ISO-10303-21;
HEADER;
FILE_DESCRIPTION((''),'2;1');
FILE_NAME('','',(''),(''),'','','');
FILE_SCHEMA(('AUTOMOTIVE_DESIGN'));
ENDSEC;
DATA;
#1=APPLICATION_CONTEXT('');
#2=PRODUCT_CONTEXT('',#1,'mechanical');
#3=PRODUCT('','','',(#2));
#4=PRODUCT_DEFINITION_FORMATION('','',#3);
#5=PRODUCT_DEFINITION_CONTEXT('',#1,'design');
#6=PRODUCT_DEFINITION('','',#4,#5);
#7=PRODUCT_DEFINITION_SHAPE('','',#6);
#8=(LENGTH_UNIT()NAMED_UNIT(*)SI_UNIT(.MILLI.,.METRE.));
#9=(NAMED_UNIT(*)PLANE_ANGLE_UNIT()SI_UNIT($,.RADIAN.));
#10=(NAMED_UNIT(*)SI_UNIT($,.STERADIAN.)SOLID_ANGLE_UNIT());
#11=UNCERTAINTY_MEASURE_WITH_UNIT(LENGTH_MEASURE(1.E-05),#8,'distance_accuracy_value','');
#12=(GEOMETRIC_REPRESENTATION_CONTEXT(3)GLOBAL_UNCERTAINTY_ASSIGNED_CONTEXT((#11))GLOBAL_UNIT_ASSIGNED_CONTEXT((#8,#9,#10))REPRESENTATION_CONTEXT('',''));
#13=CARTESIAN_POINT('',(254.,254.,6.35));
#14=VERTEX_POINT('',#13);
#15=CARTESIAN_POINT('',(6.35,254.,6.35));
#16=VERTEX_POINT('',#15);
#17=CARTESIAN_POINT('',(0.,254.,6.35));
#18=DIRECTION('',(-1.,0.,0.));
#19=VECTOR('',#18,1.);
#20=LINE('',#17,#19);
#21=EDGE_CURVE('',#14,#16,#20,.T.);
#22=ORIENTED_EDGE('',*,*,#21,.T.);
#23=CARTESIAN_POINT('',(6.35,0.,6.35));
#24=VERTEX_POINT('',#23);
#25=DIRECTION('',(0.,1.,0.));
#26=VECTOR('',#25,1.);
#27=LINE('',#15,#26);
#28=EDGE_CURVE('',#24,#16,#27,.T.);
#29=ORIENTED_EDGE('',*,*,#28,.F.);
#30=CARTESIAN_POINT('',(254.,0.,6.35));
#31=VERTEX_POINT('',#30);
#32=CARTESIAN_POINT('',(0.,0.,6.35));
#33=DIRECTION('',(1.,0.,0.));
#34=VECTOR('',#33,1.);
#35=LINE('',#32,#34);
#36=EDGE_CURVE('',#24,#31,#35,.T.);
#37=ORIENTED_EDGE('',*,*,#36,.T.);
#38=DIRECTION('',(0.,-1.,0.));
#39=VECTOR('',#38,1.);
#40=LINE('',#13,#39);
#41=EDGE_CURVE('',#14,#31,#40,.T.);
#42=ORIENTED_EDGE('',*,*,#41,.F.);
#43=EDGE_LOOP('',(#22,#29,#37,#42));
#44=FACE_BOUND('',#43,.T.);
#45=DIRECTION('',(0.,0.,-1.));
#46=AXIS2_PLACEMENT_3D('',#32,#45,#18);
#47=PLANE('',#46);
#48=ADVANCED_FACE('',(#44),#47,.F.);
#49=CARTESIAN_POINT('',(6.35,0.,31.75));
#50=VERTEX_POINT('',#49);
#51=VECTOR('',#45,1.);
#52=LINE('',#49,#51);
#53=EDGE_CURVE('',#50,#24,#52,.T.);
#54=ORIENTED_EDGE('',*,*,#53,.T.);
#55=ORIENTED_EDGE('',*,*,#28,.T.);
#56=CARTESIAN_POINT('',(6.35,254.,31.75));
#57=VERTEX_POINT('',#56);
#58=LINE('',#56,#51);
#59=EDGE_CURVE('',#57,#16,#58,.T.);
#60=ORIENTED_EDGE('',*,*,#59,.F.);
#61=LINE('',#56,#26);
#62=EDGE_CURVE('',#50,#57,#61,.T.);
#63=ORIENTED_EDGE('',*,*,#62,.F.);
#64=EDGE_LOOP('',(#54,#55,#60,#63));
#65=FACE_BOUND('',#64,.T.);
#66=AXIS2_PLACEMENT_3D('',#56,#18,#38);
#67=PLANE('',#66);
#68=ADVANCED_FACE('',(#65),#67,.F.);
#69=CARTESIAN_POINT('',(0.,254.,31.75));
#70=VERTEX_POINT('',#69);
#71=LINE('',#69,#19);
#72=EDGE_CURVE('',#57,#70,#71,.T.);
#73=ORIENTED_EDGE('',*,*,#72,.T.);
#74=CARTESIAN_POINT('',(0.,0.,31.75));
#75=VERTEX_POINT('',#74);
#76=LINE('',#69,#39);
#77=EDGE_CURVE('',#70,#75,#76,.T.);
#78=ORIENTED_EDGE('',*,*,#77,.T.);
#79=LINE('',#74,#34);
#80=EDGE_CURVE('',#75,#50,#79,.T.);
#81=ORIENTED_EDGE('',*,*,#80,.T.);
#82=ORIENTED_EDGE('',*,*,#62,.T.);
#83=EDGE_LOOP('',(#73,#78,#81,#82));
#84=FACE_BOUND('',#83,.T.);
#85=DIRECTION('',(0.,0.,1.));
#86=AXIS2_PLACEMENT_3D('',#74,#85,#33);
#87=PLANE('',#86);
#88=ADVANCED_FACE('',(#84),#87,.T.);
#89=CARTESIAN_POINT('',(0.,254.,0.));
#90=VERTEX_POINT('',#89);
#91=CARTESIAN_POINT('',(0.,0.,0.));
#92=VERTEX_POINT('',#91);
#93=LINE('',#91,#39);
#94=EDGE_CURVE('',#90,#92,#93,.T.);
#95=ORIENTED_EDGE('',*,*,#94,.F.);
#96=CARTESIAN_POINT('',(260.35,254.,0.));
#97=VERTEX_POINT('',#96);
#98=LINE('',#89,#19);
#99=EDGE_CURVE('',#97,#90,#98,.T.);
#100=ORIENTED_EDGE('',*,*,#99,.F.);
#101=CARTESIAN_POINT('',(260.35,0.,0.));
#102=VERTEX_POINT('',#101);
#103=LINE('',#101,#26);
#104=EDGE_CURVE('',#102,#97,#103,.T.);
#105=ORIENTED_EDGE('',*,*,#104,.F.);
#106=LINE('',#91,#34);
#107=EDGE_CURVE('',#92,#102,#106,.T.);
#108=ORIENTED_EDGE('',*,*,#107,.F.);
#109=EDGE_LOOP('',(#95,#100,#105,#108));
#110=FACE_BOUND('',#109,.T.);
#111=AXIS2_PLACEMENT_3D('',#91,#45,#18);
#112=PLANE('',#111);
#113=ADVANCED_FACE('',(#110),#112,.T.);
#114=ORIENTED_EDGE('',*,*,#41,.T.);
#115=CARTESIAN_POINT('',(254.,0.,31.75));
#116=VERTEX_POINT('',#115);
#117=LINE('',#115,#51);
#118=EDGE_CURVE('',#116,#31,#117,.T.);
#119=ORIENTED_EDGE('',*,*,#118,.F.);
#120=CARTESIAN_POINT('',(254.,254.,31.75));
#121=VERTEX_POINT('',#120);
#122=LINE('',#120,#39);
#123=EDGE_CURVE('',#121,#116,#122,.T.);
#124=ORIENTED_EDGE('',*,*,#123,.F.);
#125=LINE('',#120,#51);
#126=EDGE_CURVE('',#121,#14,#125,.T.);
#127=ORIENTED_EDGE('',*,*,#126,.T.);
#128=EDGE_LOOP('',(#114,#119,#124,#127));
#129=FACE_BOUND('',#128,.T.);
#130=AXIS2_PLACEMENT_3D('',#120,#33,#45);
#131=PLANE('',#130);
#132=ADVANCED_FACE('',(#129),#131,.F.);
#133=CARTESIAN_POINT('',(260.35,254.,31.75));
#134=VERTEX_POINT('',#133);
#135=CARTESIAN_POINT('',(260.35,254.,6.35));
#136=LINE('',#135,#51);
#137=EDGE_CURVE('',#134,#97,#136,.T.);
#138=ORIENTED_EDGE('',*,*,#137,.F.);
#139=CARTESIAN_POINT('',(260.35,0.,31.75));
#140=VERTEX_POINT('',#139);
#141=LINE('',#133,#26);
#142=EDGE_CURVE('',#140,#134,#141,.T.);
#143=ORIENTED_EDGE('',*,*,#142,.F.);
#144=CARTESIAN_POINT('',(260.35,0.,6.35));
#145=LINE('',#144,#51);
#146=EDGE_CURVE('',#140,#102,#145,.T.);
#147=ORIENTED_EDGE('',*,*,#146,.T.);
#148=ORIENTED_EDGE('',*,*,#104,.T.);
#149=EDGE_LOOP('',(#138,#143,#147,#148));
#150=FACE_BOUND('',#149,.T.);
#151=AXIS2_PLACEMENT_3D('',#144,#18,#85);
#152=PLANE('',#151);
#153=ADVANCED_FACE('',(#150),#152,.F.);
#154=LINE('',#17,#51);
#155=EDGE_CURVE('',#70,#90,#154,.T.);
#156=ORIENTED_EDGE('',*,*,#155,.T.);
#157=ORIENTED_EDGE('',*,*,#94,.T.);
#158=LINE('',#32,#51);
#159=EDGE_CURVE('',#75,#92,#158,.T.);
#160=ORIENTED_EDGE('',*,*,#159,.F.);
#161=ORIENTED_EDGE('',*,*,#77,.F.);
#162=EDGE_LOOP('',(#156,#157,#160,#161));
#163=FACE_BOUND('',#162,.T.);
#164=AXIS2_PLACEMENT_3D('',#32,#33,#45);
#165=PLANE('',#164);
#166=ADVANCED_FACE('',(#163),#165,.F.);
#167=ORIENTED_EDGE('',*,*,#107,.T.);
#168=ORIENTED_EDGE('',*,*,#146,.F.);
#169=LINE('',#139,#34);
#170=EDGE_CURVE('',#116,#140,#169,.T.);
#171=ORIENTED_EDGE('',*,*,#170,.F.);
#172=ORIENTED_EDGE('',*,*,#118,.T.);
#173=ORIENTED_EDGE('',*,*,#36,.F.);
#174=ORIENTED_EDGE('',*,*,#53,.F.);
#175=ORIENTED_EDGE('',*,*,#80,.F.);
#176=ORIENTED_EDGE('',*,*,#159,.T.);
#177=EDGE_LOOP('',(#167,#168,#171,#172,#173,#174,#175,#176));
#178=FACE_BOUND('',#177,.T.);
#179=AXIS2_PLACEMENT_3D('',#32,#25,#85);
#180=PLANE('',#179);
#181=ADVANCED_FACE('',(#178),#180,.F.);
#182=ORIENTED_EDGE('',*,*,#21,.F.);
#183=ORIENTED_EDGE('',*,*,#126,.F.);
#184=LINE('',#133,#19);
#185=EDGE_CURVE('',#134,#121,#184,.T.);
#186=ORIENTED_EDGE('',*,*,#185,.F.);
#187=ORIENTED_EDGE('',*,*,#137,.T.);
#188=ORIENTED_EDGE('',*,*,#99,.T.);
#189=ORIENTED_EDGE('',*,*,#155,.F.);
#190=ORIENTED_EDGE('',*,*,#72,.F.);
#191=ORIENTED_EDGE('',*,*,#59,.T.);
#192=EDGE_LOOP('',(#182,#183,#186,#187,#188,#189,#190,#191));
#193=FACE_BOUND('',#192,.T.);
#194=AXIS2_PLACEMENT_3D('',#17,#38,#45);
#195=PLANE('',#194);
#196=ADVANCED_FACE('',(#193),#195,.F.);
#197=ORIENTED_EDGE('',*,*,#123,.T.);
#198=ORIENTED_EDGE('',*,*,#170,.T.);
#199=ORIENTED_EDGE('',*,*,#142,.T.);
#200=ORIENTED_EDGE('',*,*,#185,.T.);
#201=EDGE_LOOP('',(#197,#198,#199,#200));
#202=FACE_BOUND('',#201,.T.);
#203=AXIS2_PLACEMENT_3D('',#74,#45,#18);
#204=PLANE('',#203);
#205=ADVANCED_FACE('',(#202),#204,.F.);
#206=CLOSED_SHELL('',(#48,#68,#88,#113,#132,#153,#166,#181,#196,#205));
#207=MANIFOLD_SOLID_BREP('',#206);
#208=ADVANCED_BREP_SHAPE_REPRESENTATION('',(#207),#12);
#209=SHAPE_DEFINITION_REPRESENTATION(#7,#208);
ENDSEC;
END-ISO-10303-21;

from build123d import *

# Parameters (mm, degrees)
SKETCH1_W           = 260.35
SKETCH1_H           = 254
BOSS_EXTRUDE1_DEPTH = 6.35
SKETCH2_W           = 6.35
SKETCH2_H           = 254
BOSS_EXTRUDE2_DEPTH = 25.4
SKETCH5_W           = 6.35
SKETCH5_H           = 254
BOSS_EXTRUDE4_DEPTH = 25.4


with BuildPart() as part:
    # Sketch1 → Boss-Extrude1 (new body)
    with BuildSketch(Plane.XY):
        with Locations((130.175, 127)):
            Rectangle(SKETCH1_W, SKETCH1_H)
    extrude(amount=BOSS_EXTRUDE1_DEPTH)

    # Sketch2 → Boss-Extrude2 (add)
    with BuildSketch(Plane.XY.offset(6.35)):
        with Locations((3.175, 127)):
            Rectangle(SKETCH2_W, SKETCH2_H)
    extrude(amount=BOSS_EXTRUDE2_DEPTH)

    # Sketch5 → Boss-Extrude4 (add)
    with BuildSketch(Plane.XY.offset(6.35)):
        with Locations((257.175, 127)):
            Rectangle(SKETCH5_W, SKETCH5_H)
    extrude(amount=BOSS_EXTRUDE4_DEPTH)


solid = part.part
